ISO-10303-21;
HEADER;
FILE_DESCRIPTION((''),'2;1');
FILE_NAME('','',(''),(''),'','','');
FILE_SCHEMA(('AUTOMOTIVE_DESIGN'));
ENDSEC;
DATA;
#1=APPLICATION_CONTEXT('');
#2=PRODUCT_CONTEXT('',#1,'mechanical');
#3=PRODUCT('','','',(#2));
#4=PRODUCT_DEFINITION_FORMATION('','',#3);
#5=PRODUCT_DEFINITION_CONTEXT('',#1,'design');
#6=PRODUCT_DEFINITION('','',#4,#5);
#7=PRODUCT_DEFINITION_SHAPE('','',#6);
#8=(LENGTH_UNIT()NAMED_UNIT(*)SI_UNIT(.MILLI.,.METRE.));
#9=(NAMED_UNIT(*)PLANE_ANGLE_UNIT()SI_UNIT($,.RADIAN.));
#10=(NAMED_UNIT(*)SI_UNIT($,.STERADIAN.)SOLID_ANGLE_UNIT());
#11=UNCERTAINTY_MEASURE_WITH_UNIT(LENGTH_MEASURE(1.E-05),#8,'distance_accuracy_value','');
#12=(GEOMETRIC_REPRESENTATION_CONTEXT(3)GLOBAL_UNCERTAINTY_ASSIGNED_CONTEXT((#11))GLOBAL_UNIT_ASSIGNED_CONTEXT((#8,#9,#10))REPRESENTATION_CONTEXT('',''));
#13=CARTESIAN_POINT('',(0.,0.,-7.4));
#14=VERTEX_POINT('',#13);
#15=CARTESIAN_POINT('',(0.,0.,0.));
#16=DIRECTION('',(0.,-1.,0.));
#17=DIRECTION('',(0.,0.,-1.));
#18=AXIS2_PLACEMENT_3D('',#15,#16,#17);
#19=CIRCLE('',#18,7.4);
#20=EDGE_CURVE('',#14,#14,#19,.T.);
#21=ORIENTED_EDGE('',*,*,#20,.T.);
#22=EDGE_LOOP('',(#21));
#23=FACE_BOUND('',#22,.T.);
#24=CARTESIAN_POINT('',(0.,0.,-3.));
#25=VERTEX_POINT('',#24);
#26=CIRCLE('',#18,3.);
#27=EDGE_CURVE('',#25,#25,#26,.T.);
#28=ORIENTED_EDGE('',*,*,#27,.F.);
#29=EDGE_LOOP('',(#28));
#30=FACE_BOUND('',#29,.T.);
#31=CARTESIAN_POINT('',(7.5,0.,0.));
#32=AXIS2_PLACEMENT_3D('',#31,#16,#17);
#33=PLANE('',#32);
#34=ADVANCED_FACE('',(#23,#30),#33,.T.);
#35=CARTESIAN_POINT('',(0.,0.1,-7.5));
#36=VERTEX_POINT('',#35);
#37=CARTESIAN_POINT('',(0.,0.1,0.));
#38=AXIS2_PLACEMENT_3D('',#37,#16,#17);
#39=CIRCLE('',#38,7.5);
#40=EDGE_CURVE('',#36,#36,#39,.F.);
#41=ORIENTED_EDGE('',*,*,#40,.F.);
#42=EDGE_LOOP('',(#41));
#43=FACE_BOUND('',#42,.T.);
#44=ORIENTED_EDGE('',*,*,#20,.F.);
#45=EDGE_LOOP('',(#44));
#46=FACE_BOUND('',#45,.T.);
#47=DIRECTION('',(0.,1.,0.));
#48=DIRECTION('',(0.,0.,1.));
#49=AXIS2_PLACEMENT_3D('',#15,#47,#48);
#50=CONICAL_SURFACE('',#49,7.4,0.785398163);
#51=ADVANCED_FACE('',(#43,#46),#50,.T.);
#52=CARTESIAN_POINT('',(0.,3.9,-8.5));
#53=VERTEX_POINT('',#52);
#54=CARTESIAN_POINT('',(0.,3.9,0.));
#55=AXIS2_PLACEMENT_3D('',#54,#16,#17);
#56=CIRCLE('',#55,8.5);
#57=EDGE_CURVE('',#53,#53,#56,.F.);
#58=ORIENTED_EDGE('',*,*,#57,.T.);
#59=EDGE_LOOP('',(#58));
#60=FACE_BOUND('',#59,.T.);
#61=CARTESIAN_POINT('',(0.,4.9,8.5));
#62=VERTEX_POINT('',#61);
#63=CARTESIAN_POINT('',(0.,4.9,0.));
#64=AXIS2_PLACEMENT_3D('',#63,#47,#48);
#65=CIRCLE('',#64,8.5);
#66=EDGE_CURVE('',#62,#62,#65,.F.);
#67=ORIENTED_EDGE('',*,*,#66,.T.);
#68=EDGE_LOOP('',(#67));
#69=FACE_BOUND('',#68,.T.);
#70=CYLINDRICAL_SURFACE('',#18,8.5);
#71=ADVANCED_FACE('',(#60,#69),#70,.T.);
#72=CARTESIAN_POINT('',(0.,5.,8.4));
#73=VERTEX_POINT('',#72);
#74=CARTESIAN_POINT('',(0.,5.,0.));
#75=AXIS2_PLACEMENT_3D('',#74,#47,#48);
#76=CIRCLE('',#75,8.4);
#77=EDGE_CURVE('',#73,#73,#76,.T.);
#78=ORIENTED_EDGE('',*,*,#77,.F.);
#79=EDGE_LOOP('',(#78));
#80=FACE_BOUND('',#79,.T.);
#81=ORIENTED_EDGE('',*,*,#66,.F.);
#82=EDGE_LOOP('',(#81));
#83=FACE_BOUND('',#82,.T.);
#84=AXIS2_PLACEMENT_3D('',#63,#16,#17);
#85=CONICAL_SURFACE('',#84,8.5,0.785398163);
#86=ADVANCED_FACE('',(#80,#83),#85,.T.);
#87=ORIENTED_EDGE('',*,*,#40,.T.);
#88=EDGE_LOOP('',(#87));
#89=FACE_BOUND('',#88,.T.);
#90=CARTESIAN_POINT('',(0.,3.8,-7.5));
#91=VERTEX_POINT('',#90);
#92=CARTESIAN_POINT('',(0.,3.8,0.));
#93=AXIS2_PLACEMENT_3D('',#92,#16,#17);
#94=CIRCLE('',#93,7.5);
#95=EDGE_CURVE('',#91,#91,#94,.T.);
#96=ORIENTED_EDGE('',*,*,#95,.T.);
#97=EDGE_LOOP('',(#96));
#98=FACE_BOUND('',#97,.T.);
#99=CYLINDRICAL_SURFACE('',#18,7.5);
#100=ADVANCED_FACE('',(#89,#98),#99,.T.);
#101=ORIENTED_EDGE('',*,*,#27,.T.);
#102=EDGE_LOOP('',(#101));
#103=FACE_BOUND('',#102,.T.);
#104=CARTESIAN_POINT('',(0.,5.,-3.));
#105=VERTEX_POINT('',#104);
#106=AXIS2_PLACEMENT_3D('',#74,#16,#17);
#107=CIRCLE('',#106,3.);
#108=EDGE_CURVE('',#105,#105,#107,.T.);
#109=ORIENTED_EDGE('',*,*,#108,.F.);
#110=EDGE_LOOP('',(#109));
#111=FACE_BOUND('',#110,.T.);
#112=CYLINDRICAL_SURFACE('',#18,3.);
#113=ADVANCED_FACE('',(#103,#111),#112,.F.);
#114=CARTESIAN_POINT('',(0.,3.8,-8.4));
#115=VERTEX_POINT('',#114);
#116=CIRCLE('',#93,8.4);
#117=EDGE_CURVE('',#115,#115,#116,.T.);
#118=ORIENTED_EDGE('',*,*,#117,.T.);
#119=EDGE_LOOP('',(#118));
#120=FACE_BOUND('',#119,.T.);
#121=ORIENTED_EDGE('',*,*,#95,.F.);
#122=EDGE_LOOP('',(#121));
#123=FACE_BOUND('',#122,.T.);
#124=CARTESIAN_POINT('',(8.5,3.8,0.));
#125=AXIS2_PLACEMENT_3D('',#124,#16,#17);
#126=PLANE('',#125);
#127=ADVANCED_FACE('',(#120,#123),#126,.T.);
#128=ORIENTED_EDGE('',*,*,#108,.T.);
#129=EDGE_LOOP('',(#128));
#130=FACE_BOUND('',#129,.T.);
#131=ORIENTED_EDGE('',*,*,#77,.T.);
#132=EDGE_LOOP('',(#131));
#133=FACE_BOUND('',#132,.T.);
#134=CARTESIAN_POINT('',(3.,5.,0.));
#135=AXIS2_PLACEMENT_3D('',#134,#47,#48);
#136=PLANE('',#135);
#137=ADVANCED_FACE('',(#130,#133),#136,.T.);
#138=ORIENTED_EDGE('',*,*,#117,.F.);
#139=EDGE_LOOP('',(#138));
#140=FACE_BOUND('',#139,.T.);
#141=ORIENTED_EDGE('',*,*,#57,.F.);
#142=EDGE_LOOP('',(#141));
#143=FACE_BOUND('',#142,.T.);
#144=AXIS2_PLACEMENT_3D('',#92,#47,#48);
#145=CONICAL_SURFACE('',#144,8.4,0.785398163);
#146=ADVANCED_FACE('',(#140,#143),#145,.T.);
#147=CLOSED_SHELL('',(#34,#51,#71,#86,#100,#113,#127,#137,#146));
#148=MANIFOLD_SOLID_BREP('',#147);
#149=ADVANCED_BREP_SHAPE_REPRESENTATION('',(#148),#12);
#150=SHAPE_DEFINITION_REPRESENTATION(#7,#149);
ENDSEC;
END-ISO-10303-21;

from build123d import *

# Parameters (mm, degrees)
CHAMFER_1_SIZE = 0.1


with BuildPart() as part:
    # 草图1 → 旋转1 (revolve)
    with BuildSketch(Plane.XY):
        Polygon((3, 0), (3, 5), (8.5, 5), (8.5, 3.8), (7.5, 3.8), (7.5, 0), align=None)
    revolve(axis=Axis((0, 0, 0), (0, 1, 0)))

    # 倒角1
    chamfer_1_edges = [part.edges().sort_by_distance(p)[0] for p in [
        (-7.5, 0, 0),
        (-8.5, 3.8, 0),
        (-8.5, 5, 0),
    ]]
    chamfer(chamfer_1_edges, length=CHAMFER_1_SIZE)


solid = part.part
